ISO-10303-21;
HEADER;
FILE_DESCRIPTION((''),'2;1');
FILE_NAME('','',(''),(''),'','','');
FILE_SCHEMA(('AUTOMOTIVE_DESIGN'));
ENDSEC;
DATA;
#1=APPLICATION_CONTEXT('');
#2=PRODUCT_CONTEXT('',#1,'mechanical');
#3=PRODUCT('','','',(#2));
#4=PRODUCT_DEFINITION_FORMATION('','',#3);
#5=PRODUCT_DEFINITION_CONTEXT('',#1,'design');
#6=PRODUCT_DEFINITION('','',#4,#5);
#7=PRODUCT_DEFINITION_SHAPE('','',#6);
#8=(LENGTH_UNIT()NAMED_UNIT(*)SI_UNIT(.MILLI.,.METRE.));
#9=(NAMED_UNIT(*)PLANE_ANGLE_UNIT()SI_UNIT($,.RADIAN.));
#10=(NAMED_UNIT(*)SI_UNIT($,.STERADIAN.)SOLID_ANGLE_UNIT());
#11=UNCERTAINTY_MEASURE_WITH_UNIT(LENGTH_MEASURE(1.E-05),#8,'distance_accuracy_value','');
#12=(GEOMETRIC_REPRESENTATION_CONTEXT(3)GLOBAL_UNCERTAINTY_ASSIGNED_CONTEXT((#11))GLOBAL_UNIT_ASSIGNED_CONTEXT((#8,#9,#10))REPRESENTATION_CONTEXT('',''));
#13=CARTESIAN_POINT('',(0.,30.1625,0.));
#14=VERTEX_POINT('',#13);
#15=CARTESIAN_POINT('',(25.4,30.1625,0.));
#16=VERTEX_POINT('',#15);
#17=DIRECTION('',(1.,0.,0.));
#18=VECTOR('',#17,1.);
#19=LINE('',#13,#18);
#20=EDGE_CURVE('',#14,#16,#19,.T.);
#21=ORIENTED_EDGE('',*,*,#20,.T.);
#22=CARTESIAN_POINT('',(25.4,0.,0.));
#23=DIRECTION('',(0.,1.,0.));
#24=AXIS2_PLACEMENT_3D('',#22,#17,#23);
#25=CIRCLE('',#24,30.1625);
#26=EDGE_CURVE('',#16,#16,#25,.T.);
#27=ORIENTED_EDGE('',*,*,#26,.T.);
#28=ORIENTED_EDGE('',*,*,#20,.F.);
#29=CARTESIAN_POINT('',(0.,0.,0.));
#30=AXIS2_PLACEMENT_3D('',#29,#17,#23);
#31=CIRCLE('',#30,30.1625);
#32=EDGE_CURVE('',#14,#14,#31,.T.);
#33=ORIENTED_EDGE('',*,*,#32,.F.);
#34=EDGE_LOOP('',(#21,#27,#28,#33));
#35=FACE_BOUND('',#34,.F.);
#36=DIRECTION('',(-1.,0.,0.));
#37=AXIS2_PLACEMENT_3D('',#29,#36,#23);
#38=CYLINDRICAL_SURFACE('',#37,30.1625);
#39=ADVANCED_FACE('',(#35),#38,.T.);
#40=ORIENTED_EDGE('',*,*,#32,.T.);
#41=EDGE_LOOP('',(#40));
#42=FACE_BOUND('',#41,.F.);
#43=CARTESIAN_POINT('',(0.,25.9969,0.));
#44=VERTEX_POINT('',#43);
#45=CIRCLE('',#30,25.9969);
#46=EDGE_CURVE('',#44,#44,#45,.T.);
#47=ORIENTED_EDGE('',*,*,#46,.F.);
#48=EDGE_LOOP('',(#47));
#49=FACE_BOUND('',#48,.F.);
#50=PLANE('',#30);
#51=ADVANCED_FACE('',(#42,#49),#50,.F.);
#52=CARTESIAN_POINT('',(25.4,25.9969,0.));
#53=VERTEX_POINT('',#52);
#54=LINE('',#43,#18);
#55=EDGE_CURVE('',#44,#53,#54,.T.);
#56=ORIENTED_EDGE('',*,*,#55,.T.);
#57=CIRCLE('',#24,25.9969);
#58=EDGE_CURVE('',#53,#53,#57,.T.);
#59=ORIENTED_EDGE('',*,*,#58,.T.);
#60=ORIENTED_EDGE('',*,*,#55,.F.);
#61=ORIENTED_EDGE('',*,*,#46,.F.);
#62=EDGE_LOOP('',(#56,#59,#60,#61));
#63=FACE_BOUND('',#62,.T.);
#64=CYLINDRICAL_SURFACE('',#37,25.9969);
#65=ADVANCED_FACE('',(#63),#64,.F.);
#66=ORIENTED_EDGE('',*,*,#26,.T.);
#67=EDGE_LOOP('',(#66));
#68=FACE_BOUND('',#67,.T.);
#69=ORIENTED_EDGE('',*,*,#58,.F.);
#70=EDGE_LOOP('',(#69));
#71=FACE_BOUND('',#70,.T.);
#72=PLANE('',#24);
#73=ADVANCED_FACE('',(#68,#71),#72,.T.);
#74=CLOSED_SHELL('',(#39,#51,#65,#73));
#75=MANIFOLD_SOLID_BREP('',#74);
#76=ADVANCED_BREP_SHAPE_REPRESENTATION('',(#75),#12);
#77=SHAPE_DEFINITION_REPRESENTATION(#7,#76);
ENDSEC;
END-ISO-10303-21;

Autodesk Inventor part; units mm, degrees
ref_plane "YZ Plane" through (0, 0, 0) normal (1, 0, 0) x (0, 1, 0)
ref_plane "XZ Plane" through (0, 0, 0) normal (0, 1, 0) x (-1, 0, 0)
ref_plane "XY Plane" through (0, 0, 0) normal (0, 0, 1) x (1, 0, 0)
sketch "Sketch1" plane through (0, 0, 0) normal (1, 0, 0) x (0, 1, 0)
  circle A0 centre (0, 0) radius 25.9969
  circle A1 centre (0, 0) radius 30.1625
  dimension "d0" = 51.9938
  dimension "d1" = 60.325
extrude "Extrusion1" add sketch "Sketch1" along normal blind 25.4
properties part number "spool roller"
